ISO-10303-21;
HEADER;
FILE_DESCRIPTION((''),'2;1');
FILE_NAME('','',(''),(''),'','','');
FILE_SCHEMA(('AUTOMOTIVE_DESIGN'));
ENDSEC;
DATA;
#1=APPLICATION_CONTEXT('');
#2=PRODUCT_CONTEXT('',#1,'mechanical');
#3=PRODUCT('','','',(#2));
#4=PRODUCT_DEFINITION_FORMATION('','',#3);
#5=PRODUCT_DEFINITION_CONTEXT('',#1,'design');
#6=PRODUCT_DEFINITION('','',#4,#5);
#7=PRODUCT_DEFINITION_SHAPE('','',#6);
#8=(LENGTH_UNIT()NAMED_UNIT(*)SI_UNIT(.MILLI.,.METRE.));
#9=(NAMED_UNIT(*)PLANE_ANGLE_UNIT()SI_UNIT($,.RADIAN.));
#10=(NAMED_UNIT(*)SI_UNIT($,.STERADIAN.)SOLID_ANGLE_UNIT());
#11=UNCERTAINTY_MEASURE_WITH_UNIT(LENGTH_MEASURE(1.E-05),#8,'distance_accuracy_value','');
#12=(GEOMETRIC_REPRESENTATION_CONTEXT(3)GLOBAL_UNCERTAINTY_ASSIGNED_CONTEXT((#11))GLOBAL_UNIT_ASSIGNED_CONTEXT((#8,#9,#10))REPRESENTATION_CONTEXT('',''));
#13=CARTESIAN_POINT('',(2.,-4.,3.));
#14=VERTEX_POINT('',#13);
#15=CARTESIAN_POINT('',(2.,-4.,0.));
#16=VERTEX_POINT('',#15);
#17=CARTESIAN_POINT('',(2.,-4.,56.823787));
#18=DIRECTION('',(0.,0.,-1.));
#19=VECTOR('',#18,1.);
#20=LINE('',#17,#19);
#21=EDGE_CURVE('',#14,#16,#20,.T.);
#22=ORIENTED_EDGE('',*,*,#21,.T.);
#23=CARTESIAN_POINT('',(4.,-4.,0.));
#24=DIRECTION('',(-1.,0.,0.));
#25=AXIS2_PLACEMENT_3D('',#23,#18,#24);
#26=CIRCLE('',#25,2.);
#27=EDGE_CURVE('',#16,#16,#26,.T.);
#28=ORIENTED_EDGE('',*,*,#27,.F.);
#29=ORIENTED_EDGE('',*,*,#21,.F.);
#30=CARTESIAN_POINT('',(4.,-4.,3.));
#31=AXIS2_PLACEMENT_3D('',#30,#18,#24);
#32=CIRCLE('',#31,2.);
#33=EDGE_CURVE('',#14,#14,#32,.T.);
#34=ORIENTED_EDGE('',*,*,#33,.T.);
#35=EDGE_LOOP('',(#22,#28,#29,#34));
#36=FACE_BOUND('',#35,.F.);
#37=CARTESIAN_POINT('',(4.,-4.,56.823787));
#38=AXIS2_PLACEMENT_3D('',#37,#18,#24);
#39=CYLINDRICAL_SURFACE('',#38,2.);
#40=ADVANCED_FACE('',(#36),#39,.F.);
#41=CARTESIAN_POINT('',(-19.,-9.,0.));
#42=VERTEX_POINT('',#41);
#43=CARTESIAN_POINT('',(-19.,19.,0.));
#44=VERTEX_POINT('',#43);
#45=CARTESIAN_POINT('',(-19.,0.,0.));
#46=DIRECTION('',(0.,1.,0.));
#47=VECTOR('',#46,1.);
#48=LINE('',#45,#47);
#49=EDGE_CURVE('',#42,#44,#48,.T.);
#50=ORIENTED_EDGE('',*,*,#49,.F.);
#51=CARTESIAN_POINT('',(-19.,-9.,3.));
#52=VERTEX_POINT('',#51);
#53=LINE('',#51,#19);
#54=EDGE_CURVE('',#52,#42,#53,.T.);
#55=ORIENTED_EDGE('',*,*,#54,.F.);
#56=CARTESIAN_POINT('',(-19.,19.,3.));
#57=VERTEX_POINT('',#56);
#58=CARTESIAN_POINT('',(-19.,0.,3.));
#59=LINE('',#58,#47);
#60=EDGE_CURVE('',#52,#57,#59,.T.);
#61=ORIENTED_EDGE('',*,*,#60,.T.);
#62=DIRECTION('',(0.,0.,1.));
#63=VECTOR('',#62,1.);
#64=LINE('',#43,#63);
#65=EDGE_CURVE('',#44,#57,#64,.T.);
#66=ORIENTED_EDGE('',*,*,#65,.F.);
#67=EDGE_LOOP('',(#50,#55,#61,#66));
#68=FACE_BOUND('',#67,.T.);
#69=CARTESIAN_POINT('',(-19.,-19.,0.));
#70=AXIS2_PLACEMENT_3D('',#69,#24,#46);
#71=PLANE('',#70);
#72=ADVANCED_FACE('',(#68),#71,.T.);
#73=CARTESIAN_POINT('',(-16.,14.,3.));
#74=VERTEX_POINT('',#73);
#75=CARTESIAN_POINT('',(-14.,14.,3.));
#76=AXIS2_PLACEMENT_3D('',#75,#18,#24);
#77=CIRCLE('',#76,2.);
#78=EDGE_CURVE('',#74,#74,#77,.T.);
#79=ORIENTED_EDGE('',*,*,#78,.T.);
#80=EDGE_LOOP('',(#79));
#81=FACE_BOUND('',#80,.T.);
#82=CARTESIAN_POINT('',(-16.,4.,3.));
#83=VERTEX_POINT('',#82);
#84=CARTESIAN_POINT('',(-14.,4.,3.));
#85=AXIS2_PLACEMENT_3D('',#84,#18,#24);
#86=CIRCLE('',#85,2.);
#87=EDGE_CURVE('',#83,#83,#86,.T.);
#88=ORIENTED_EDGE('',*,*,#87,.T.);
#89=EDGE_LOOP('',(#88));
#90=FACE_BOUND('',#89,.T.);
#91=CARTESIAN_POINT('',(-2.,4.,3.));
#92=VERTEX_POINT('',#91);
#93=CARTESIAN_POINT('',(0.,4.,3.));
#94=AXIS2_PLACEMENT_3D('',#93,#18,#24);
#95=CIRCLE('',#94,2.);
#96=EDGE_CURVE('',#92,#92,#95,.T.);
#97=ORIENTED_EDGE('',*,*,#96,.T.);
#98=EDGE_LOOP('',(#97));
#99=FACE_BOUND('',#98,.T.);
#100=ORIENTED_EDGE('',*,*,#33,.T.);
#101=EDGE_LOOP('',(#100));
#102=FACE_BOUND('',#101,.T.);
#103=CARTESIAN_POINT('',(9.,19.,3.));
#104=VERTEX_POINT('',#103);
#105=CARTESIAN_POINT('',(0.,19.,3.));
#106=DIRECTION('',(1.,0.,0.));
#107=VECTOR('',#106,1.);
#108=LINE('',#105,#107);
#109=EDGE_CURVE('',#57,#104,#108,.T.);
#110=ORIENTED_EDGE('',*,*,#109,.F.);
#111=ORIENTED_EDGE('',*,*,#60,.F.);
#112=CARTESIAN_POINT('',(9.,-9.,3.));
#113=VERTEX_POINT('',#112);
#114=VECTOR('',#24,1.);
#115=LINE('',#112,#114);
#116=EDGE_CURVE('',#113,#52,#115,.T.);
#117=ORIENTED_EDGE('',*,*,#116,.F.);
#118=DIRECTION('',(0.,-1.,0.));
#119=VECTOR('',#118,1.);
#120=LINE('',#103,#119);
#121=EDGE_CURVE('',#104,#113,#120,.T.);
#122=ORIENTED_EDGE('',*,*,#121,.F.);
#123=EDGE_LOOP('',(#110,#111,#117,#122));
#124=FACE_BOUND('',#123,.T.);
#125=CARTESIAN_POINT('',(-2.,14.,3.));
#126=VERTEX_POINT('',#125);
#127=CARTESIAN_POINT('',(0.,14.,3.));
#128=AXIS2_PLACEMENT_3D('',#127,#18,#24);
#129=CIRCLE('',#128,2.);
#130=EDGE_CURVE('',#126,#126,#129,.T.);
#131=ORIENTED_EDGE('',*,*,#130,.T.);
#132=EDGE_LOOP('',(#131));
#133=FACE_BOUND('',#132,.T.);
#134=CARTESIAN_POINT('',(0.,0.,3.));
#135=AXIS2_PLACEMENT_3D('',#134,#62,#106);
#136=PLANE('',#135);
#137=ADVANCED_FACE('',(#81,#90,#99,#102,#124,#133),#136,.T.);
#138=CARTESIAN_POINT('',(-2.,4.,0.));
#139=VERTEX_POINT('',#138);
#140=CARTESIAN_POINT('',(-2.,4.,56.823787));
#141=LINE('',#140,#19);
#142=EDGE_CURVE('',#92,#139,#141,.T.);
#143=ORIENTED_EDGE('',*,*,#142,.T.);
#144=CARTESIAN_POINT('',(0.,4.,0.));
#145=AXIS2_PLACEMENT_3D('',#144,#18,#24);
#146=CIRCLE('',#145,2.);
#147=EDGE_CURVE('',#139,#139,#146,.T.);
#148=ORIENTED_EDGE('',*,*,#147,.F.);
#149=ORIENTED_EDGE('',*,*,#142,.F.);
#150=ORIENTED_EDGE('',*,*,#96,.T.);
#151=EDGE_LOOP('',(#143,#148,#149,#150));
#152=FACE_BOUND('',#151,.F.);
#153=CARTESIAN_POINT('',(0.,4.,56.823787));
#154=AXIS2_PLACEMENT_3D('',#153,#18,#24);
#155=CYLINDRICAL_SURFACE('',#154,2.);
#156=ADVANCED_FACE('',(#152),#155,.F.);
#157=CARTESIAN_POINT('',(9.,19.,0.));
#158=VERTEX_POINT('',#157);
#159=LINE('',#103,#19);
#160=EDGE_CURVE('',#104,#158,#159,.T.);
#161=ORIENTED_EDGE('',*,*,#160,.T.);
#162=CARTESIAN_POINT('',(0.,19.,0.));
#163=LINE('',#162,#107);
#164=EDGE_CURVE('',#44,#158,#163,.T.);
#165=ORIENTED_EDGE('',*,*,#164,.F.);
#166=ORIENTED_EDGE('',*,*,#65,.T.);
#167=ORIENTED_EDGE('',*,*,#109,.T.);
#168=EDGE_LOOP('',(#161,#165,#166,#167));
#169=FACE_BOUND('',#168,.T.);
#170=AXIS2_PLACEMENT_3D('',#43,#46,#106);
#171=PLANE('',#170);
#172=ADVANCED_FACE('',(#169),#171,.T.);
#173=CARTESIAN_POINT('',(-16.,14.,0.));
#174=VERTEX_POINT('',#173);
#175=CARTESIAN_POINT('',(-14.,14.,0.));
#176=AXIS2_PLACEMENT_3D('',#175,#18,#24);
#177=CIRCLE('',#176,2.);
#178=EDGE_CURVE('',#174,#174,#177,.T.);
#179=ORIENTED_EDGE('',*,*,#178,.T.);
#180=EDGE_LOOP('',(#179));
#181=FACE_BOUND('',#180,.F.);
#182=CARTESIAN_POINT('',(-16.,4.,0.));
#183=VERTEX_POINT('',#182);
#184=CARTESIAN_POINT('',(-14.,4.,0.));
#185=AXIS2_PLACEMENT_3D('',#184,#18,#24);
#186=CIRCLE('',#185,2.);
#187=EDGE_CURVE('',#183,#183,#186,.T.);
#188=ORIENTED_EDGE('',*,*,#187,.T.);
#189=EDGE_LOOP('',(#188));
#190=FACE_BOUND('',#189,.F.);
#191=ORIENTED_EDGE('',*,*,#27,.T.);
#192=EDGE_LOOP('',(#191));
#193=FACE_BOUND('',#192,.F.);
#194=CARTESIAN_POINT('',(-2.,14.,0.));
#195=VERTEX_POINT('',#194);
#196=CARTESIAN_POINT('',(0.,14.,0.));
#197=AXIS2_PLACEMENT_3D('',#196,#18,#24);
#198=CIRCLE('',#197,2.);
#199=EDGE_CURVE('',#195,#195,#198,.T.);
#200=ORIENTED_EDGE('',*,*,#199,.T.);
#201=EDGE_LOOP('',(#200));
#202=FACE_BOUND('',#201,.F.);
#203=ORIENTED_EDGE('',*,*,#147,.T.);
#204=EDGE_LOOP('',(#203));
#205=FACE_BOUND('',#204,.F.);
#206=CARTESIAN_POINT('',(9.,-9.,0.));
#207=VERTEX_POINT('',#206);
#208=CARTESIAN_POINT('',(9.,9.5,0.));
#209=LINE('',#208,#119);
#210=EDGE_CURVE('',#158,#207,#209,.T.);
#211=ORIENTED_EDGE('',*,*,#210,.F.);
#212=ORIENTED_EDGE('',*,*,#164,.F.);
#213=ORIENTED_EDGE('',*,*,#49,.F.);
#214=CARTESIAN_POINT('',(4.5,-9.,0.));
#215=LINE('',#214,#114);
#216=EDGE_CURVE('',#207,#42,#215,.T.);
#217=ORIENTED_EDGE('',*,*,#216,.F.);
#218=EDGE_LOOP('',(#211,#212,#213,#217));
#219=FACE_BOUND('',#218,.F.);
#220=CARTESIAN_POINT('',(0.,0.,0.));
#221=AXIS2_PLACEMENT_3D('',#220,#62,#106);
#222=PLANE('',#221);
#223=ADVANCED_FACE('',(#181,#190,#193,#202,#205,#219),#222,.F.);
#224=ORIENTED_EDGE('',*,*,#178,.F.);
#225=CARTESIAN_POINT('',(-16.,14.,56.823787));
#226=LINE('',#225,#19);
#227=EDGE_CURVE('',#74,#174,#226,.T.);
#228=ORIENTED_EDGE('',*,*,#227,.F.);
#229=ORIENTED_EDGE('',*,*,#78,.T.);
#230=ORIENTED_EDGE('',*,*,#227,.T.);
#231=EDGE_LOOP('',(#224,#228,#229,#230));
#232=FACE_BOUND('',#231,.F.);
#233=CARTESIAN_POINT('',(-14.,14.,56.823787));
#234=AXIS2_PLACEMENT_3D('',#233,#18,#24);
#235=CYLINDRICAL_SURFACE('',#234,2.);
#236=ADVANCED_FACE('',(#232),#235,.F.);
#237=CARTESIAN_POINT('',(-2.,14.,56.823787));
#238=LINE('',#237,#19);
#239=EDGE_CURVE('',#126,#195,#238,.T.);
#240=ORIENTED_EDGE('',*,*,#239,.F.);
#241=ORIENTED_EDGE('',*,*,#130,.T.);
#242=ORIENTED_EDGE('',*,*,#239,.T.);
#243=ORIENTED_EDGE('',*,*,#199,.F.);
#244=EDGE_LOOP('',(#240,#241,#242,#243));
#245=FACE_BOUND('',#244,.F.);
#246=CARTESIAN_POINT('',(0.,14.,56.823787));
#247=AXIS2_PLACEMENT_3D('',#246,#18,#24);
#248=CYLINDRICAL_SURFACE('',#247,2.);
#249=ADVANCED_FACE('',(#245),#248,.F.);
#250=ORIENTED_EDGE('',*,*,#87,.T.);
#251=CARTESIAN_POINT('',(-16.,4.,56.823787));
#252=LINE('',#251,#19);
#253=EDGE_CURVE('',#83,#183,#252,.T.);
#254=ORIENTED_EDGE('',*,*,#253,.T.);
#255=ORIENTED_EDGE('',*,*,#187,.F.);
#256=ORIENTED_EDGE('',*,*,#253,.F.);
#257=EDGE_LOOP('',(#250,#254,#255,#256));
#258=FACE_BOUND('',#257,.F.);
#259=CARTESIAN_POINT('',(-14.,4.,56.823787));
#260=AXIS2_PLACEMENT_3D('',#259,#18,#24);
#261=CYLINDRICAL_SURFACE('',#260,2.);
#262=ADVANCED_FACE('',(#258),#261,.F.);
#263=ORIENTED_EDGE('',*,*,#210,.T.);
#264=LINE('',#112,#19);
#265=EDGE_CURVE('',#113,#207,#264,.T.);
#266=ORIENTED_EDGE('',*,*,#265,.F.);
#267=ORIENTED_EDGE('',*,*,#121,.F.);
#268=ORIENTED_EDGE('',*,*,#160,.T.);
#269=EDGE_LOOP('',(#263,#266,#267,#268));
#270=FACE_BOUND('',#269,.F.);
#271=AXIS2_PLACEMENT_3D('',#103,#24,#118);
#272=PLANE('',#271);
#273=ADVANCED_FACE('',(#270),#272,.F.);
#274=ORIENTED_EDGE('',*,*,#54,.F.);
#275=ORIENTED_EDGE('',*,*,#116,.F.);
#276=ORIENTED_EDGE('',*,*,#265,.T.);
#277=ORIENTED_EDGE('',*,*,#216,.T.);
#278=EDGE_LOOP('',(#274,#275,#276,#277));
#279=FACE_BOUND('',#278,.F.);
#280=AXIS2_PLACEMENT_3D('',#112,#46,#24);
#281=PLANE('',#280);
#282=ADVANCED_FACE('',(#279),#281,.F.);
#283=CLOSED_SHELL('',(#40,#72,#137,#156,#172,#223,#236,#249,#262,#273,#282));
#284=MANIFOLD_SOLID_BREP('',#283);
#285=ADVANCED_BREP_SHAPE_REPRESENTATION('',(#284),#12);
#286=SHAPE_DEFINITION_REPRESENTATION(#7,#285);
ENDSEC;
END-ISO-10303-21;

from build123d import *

# Parameters (mm, degrees)
F0_W     = 38
F0_H     = 38
F1_DEPTH = 3
F3_D     = 4
F5_DEPTH = 25


with BuildPart() as f1:
    # F0 (on Top) → F1 (new body)
    with BuildSketch(Plane.XY):
        Rectangle(F0_W, F0_H)
    extrude(amount=F1_DEPTH)

    # F3 (through all)
    with Locations(Plane.XY.offset(3)):
        with Locations((0, 4), (0, 14), (-14, 14), (4, -4), (-14, 4)):
            Hole(F3_D / 2)

    # F4 (on face) → F5 (cut)
    with BuildSketch(Plane.XY.offset(3)):
        Polygon((19, 19), (9, 19), (9, -9), (-19, -9), (-19, -19), (19, -19), align=None)
    extrude(amount=-F5_DEPTH, mode=Mode.SUBTRACT)


solid = f1.part
